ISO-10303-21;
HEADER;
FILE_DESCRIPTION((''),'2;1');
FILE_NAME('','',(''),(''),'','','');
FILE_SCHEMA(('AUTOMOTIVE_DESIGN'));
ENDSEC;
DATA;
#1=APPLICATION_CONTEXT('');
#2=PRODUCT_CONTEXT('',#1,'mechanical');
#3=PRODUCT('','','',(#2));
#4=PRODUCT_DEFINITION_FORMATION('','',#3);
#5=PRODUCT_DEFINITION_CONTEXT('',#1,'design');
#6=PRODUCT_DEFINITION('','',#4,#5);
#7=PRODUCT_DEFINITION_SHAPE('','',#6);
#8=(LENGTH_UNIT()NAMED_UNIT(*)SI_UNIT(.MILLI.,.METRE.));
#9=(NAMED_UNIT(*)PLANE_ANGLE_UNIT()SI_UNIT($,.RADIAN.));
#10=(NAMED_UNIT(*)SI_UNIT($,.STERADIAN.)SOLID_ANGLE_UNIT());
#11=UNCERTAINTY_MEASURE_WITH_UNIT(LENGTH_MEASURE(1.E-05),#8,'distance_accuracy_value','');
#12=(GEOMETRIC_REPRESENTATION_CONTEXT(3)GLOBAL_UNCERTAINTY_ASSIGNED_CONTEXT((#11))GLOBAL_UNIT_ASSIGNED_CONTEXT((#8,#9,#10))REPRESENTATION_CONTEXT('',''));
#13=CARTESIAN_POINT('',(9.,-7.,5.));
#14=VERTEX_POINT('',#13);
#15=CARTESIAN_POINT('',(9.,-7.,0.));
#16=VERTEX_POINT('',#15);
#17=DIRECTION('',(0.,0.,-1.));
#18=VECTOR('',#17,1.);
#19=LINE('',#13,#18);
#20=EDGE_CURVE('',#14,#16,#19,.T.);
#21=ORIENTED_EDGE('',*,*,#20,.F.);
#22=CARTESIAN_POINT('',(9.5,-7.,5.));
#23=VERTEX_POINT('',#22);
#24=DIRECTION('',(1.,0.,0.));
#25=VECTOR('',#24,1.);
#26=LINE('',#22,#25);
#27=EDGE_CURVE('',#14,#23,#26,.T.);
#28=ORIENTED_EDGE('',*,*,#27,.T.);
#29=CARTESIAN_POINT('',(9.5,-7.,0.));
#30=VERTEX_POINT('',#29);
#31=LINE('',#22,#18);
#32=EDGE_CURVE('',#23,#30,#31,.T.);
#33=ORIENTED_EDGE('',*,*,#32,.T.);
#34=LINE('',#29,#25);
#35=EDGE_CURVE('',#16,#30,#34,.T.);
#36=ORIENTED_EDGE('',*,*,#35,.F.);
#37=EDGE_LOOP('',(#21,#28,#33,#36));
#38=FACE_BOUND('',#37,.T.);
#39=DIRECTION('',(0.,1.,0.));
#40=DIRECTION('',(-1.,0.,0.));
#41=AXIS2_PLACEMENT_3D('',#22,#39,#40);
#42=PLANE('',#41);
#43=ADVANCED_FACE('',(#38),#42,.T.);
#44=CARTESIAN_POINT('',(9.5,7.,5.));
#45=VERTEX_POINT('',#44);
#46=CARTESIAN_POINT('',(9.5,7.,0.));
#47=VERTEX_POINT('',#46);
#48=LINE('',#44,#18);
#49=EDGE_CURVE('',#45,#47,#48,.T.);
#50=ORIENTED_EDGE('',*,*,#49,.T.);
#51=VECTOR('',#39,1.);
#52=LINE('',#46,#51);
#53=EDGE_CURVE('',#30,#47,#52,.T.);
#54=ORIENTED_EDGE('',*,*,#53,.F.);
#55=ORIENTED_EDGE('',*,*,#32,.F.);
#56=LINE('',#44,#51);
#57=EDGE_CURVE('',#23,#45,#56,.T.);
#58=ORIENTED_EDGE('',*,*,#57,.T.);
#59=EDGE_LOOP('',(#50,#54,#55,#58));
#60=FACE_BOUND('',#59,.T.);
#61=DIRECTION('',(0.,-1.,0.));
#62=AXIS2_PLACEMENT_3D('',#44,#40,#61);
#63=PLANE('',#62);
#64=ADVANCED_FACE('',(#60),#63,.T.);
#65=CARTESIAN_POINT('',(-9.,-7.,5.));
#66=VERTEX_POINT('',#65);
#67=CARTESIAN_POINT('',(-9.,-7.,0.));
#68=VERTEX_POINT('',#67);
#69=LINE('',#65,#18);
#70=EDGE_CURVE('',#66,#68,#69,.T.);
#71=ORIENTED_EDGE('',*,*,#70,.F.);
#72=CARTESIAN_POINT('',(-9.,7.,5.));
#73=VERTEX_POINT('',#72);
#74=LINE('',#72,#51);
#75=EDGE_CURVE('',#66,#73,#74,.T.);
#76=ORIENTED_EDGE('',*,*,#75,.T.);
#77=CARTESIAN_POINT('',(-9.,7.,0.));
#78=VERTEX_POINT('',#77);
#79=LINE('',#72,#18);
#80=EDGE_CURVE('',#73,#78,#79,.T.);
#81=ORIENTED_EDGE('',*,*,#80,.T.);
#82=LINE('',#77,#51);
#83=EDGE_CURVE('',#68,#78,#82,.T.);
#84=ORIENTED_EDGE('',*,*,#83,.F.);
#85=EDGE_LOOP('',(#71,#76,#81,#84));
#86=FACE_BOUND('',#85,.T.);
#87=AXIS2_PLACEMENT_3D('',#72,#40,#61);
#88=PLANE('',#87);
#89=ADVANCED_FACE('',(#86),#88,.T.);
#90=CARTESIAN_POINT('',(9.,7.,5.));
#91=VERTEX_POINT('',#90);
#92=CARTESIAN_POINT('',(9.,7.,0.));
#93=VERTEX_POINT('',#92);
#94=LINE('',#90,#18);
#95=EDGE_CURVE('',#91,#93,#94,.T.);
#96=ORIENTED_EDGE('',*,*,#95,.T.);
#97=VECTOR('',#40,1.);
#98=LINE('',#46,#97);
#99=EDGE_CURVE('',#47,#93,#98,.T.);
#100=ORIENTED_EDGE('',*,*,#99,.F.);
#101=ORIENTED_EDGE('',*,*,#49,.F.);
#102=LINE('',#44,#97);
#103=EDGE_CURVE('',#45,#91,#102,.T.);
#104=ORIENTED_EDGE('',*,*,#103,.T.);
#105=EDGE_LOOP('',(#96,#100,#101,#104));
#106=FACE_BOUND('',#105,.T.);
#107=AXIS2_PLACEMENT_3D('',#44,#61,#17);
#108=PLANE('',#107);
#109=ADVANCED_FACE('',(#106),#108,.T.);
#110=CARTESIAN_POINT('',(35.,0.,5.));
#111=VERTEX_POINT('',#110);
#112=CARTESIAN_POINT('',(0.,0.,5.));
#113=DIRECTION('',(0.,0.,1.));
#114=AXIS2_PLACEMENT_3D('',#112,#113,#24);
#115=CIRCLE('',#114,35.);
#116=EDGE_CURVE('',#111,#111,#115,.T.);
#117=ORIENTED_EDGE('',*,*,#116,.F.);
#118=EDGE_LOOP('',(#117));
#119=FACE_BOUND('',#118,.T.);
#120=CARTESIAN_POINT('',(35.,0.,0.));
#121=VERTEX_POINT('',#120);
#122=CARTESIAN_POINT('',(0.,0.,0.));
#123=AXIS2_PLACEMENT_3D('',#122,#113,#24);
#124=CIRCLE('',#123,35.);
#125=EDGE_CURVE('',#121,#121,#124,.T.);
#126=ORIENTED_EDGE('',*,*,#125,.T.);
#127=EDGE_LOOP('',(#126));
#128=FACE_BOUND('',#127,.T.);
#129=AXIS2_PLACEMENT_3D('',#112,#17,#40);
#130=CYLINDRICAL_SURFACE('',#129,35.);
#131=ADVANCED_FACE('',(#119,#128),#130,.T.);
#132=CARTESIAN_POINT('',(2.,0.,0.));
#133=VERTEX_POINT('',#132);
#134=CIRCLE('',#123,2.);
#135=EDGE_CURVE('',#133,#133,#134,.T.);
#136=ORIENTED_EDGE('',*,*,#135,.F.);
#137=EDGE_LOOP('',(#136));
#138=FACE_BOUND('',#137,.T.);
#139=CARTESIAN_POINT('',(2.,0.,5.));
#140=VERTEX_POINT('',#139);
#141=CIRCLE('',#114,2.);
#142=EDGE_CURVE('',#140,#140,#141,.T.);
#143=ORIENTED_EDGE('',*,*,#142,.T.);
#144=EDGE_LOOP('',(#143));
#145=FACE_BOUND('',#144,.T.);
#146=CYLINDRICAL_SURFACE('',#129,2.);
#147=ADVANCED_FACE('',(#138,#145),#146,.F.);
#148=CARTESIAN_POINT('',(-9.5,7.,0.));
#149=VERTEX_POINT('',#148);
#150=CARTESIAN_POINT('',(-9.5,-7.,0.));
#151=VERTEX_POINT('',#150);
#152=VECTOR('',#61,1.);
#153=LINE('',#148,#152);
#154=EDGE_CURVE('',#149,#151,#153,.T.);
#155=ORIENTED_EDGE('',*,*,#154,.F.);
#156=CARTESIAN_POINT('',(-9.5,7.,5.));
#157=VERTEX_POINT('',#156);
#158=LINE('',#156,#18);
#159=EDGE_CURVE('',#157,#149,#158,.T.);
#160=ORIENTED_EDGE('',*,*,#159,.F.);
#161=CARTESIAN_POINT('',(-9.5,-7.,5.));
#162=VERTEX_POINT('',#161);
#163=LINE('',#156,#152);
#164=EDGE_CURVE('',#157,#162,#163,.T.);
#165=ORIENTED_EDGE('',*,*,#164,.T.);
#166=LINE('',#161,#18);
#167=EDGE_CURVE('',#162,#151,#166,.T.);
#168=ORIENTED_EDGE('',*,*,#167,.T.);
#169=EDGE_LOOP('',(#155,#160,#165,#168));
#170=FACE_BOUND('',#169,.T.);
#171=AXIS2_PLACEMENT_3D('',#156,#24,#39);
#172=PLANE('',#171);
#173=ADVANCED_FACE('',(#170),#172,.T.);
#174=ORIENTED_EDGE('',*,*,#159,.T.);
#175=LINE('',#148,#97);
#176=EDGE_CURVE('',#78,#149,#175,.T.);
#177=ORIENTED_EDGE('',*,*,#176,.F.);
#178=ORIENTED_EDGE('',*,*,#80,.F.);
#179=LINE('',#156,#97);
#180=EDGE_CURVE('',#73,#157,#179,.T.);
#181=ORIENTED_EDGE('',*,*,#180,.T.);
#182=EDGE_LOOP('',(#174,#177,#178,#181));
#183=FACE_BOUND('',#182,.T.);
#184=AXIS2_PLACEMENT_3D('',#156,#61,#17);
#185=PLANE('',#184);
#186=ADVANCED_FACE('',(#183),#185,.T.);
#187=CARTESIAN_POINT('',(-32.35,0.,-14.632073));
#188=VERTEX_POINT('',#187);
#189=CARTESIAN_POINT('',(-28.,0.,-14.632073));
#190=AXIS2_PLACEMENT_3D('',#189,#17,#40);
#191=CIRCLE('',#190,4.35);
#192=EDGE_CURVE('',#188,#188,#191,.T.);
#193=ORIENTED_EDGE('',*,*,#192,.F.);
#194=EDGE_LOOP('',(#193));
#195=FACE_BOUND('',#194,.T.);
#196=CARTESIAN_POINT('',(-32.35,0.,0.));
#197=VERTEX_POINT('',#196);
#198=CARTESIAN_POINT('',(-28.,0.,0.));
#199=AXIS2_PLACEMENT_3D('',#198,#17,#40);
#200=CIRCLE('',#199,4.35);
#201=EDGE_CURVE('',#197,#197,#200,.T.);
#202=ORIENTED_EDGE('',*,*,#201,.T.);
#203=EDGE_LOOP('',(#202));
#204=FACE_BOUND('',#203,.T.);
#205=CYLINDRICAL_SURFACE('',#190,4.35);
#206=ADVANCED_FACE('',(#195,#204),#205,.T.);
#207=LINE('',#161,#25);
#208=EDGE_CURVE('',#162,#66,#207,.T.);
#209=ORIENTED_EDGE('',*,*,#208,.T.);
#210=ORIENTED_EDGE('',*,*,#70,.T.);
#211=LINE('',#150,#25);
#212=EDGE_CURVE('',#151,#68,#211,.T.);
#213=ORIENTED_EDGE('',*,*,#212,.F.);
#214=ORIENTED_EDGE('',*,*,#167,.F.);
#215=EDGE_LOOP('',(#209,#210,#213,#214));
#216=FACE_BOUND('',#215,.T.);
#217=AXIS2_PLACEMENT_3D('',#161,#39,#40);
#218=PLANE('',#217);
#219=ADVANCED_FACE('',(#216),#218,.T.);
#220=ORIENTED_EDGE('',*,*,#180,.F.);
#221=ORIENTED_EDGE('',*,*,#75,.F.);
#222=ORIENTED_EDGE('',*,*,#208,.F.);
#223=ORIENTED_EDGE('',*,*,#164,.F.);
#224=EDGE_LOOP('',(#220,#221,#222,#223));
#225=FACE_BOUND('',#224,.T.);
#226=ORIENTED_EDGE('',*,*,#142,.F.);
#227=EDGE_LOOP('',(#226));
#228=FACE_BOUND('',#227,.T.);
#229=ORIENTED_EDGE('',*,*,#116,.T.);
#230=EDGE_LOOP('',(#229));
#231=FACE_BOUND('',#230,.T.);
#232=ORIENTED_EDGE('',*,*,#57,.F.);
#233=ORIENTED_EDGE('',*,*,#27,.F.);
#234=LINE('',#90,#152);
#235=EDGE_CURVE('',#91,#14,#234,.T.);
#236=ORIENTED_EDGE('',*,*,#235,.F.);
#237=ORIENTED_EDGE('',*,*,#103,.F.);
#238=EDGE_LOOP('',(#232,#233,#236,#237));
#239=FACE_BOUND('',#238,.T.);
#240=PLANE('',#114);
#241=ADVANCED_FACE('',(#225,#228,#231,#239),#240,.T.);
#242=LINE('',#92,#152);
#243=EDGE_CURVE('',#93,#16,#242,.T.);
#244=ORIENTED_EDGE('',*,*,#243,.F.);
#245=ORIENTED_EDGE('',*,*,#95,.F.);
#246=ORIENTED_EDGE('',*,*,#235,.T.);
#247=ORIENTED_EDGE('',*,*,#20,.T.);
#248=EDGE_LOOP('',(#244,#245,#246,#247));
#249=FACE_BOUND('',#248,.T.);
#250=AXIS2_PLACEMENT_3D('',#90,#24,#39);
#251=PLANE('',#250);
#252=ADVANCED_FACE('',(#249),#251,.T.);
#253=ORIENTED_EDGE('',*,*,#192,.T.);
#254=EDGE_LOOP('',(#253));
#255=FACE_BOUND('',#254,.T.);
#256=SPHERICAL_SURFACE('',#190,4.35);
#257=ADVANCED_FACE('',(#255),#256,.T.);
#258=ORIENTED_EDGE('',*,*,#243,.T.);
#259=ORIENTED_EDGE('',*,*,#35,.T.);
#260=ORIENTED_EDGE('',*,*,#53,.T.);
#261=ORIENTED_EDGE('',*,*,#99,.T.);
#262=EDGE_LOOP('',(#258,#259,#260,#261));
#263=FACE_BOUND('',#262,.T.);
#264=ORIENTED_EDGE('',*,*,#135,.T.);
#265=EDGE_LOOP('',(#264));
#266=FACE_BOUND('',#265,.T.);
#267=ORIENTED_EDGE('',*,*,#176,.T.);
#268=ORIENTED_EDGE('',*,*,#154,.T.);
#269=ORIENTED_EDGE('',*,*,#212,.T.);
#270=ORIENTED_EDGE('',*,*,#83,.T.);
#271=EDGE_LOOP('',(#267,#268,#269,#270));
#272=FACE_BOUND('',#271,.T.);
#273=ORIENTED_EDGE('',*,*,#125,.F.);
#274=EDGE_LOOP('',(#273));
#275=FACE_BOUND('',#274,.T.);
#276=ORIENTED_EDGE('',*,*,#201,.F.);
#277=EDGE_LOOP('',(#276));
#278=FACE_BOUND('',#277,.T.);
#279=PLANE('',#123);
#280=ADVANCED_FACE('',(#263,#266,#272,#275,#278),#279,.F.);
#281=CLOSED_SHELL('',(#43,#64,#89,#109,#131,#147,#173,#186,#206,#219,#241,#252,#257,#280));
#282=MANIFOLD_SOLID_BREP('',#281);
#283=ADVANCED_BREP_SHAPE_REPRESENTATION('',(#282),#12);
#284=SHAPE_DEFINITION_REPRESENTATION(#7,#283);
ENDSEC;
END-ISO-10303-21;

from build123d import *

# Parameters (mm, degrees)
SKETCH1_R           = 35
SKETCH1_R_2         = 2
SKETCH1_W           = 0.5
SKETCH1_H           = 14
BOSS_EXTRUDE1_DEPTH = 5


with BuildPart() as part:
    # Sketch1 → Boss-Extrude1 (new body)
    with BuildSketch(Plane.XY):
        Circle(SKETCH1_R)
        Circle(SKETCH1_R_2, mode=Mode.SUBTRACT)
        with Locations((-9.25, 0)):
            Rectangle(SKETCH1_W, SKETCH1_H, mode=Mode.SUBTRACT)
        with Locations((9.25, 0)):
            Rectangle(SKETCH1_W, SKETCH1_H, mode=Mode.SUBTRACT)
    extrude(amount=BOSS_EXTRUDE1_DEPTH)

    # Sketch3 → Revolve1 (revolve)
    with BuildSketch(Plane(origin=(0, 0, 0), x_dir=(1, 0, 0), z_dir=(0, 1, 0))):
        with BuildLine():
            Line((-32.35, 14.632072887), (-32.35, 0))
            Line((-32.35, 0), (-28, 0))
            Line((-28, 0), (-28, 18.982072887))
            ThreePointArc((-28, 18.982072887), (-31.075914498, 17.707987385), (-32.35, 14.632072887))
        make_face()
    revolve(axis=Axis((-28, 0, -14.632072887), (0, 0, 1)))


solid = part.part
